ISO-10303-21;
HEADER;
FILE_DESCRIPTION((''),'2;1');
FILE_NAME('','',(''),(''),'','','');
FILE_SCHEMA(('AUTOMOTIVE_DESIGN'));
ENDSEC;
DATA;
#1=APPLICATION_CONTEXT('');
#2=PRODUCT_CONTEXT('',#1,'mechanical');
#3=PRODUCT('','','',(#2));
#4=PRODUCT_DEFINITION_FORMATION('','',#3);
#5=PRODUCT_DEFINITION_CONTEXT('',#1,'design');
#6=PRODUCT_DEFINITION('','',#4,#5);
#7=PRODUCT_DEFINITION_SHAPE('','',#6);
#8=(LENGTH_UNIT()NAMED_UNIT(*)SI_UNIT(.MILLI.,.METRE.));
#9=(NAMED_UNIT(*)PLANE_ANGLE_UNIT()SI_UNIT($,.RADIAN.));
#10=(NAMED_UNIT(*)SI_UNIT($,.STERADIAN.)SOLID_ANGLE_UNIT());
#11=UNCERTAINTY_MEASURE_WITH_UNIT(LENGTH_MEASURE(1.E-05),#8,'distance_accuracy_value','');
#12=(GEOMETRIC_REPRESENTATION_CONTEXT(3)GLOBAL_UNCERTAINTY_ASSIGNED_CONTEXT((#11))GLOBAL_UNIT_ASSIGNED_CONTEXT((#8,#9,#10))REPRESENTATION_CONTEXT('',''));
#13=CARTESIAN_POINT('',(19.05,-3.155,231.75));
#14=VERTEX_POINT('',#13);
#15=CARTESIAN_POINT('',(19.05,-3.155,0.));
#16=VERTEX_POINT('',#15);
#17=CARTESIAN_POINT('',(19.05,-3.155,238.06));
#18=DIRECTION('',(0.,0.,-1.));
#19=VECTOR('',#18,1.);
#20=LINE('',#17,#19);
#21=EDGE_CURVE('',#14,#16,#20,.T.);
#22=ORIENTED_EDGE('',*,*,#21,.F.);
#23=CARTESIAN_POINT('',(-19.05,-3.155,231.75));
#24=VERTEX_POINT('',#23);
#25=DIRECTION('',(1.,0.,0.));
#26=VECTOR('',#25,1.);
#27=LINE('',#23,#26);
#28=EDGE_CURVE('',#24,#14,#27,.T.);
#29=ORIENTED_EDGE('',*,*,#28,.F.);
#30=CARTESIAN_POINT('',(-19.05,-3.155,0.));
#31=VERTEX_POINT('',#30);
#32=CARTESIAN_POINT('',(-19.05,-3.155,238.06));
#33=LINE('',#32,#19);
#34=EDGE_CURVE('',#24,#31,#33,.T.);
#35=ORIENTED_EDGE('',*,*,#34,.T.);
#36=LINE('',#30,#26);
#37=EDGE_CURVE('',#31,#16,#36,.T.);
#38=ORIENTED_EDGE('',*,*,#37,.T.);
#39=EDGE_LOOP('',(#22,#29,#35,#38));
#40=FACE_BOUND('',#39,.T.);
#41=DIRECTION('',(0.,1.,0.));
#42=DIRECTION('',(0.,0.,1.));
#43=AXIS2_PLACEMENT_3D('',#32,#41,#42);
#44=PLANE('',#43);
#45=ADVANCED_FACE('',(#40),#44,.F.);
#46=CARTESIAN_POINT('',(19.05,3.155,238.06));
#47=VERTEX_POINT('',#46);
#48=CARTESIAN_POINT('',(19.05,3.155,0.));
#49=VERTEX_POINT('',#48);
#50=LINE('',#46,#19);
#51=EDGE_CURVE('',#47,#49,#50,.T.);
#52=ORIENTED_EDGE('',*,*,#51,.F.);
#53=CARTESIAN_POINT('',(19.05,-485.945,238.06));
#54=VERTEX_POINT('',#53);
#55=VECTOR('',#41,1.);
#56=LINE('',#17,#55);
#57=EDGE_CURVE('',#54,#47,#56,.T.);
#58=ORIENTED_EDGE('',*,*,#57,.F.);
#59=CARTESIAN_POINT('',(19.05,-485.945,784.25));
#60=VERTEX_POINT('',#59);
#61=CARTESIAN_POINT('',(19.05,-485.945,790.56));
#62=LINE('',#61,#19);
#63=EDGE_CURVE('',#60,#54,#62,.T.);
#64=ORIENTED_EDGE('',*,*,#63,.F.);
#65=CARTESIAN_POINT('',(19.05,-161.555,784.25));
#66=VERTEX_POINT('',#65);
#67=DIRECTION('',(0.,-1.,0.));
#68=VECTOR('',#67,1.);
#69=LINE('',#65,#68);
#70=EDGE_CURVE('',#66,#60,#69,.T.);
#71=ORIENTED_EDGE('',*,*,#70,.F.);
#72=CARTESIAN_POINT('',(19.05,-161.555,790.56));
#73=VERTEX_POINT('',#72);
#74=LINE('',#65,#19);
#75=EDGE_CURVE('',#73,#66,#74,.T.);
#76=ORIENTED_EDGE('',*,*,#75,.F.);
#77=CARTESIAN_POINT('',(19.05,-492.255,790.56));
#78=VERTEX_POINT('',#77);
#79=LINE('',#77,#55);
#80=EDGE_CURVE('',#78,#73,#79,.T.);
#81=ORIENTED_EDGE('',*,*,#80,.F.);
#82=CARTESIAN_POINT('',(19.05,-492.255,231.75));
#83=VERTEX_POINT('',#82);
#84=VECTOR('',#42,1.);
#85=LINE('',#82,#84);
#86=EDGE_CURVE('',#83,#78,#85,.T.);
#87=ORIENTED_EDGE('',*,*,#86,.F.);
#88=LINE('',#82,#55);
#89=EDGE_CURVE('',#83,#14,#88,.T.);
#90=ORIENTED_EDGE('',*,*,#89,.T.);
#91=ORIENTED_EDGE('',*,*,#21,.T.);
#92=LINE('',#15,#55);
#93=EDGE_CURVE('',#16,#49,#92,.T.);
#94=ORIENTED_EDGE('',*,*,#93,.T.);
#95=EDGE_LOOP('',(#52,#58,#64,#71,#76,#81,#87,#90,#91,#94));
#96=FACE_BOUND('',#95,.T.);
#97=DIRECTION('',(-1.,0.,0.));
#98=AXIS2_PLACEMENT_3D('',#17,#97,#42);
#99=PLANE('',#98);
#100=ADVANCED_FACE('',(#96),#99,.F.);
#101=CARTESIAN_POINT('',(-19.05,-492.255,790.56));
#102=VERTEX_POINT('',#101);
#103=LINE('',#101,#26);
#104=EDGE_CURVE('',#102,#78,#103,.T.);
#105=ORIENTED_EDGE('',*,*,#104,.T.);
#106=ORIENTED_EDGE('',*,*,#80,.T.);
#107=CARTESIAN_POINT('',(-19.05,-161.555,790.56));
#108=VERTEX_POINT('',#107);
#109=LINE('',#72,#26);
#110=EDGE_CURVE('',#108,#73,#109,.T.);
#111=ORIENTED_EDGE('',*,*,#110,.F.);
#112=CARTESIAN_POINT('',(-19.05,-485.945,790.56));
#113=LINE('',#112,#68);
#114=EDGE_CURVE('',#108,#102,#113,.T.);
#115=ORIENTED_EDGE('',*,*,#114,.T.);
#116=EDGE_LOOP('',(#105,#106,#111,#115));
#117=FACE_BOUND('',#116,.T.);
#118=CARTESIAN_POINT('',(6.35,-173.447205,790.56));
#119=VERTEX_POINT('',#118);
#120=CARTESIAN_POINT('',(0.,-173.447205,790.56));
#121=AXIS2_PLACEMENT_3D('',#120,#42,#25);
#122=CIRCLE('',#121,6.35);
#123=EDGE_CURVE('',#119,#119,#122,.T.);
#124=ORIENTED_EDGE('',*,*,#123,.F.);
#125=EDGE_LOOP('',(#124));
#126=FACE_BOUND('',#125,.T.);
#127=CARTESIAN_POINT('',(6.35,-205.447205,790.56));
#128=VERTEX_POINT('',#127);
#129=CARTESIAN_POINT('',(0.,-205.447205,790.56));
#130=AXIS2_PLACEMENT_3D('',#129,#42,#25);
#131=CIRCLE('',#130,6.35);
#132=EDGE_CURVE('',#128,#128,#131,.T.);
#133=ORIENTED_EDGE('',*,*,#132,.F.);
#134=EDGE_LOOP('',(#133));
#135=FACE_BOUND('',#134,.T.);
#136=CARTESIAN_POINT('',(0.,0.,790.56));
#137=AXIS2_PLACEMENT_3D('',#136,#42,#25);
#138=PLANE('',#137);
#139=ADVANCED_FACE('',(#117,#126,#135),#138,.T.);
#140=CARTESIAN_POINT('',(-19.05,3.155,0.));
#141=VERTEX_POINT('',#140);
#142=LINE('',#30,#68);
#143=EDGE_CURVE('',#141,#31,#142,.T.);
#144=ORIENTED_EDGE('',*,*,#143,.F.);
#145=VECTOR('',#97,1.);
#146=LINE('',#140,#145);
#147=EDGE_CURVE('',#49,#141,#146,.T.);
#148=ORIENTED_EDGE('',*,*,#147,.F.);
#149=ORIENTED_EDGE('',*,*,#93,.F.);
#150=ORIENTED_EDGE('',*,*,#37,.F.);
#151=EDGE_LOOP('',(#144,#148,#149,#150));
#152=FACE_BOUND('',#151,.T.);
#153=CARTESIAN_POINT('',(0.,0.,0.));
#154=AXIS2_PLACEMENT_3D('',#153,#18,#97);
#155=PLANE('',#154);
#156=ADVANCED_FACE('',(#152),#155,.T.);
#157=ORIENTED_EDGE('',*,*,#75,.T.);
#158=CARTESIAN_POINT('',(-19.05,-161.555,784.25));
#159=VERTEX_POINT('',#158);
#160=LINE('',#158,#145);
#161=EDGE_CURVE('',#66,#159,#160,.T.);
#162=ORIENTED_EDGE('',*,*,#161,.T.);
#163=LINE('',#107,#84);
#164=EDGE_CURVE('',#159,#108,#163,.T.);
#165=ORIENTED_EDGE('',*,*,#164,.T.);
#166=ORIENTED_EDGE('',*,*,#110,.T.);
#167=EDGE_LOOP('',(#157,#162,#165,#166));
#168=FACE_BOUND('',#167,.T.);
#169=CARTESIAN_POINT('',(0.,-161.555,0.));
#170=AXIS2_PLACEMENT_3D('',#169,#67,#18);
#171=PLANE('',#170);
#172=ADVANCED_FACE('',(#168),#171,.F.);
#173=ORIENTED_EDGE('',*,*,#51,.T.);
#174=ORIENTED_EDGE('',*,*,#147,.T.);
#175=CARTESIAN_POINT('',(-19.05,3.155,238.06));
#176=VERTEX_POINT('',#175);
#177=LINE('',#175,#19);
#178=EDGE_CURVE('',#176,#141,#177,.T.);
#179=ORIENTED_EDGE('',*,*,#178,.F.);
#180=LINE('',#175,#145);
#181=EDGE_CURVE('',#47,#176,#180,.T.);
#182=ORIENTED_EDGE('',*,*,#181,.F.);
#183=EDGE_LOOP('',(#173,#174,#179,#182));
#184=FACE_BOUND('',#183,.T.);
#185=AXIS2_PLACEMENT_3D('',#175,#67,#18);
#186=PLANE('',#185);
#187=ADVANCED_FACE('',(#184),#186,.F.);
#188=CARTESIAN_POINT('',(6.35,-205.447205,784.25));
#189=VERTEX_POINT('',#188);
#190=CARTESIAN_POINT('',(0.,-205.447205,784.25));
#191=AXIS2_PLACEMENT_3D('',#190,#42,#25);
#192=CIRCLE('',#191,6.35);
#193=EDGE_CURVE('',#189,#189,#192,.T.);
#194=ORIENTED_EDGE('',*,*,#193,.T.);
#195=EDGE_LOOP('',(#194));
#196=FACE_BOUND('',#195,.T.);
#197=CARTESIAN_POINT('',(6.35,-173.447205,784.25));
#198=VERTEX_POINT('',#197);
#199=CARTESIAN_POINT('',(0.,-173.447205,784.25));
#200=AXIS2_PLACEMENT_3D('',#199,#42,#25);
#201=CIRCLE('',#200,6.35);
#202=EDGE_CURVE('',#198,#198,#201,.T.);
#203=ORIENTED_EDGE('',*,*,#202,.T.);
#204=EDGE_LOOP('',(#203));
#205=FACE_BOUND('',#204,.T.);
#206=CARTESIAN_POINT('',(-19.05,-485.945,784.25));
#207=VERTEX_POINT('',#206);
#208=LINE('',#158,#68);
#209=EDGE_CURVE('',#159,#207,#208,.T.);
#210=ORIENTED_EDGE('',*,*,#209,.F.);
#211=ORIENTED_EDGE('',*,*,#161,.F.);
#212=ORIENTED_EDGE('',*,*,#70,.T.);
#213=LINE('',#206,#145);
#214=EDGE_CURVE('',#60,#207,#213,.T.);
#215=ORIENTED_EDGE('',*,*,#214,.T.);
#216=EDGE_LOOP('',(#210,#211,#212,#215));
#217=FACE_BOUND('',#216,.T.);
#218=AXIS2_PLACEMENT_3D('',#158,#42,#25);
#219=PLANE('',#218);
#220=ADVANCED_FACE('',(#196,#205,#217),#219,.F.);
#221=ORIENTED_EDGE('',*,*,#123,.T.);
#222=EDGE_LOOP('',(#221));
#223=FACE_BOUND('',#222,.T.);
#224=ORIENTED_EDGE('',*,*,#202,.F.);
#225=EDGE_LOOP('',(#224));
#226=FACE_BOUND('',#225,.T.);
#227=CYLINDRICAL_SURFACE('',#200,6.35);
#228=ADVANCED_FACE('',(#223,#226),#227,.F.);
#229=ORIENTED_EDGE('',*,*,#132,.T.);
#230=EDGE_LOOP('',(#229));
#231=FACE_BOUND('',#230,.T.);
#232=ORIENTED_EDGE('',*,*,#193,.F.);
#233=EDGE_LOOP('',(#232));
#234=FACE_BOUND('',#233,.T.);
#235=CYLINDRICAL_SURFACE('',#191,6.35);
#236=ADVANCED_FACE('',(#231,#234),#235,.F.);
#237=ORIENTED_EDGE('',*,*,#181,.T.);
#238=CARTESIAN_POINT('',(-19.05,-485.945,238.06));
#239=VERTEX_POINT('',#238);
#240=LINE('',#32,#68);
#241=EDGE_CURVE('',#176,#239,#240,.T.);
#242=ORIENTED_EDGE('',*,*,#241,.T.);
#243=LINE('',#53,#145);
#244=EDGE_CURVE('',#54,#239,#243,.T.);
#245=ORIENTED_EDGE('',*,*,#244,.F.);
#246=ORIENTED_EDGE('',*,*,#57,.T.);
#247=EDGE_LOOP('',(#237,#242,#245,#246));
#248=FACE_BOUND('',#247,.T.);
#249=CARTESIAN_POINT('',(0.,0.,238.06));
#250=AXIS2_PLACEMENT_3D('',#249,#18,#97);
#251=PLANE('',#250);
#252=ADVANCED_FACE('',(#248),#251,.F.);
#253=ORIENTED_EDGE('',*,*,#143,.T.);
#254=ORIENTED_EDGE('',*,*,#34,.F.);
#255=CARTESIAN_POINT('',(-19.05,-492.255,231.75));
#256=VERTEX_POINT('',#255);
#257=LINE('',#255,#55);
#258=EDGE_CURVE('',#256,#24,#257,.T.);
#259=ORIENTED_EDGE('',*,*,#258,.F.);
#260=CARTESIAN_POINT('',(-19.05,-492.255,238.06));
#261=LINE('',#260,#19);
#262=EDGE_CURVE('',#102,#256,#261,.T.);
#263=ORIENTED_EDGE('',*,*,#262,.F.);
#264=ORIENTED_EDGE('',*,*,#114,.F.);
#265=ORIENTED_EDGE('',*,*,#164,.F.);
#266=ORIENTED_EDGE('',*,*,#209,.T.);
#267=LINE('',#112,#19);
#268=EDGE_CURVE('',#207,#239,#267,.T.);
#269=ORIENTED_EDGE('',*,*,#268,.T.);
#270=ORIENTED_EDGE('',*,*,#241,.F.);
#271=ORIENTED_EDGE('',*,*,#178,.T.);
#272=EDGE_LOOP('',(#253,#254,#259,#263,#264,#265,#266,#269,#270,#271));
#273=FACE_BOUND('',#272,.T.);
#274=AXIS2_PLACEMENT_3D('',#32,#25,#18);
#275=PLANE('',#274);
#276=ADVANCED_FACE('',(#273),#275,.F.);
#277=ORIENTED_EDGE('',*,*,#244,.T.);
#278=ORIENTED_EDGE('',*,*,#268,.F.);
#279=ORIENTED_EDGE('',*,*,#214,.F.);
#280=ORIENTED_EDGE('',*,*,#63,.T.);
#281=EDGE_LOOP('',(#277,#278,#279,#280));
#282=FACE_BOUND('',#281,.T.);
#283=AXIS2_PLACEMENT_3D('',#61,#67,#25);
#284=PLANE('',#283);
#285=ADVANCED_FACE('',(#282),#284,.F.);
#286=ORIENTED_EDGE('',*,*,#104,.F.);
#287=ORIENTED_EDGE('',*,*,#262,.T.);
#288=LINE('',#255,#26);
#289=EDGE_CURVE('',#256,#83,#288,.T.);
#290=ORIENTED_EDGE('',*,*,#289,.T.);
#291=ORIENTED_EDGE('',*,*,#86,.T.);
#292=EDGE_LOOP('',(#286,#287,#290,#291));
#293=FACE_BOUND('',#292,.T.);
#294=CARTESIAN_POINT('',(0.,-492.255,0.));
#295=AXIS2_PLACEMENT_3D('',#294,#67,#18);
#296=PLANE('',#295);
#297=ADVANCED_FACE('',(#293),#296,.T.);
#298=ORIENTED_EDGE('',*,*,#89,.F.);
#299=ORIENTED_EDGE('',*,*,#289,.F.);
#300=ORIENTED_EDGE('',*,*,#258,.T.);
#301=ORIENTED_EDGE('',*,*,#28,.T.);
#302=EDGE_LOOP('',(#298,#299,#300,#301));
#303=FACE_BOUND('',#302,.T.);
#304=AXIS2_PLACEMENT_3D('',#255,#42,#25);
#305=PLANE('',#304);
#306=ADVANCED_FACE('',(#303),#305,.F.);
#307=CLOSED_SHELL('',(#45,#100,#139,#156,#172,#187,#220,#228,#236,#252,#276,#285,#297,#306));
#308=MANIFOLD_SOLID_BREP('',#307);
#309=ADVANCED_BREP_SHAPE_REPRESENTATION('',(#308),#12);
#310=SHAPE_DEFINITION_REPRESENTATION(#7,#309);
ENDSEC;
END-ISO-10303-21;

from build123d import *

# Parameters (mm, degrees)
CROQUIS1_W              = 38.1
CROQUIS1_H              = 6.31
SALIENTE_EXTRUIR1_DEPTH = 238.06
CROQUIS2_W              = 38.1
CROQUIS2_H              = 6.31
SALIENTE_EXTRUIR2_DEPTH = 489.1
CROQUIS3_W              = 38.1
CROQUIS3_H              = 6.31
SALIENTE_EXTRUIR3_DEPTH = 552.5
CROQUIS4_W              = 38.1
CROQUIS4_H              = 6.31
SALIENTE_EXTRUIR4_DEPTH = 324.39
CROQUIS5_R              = 6.35
CORTAR_EXTRUIR1_DEPTH   = 6.31


with BuildPart() as part:
    # Croquis1 → Saliente-Extruir1 (new body)
    with BuildSketch(Plane.XY):
        Rectangle(CROQUIS1_W, CROQUIS1_H)
    extrude(amount=SALIENTE_EXTRUIR1_DEPTH)

    # Croquis2 → Saliente-Extruir2 (add)
    with BuildSketch(Plane.XZ.offset(3.155)):
        with Locations((0, 234.905)):
            Rectangle(CROQUIS2_W, CROQUIS2_H)
    extrude(amount=SALIENTE_EXTRUIR2_DEPTH)

    # Croquis3 → Saliente-Extruir3 (add)
    with BuildSketch(Plane.XY.offset(238.06)):
        with Locations((0, -489.1)):
            Rectangle(CROQUIS3_W, CROQUIS3_H)
    extrude(amount=SALIENTE_EXTRUIR3_DEPTH)

    # Croquis4 → Saliente-Extruir4 (add)
    with BuildSketch(Plane(origin=(0, -485.945, 0), x_dir=(1, 0, 0), z_dir=(0, 1, 0))):
        with Locations((0, -787.405)):
            Rectangle(CROQUIS4_W, CROQUIS4_H)
    extrude(amount=SALIENTE_EXTRUIR4_DEPTH)

    # Croquis5 → Cortar-Extruir1 (cut)
    with BuildSketch(Plane.XY.offset(790.56)):
        with Locations((0, -173.447204666)):
            Circle(CROQUIS5_R)
        with Locations((0, -205.447204666)):
            Circle(CROQUIS5_R)
    extrude(amount=-CORTAR_EXTRUIR1_DEPTH, mode=Mode.SUBTRACT)


solid = part.part
